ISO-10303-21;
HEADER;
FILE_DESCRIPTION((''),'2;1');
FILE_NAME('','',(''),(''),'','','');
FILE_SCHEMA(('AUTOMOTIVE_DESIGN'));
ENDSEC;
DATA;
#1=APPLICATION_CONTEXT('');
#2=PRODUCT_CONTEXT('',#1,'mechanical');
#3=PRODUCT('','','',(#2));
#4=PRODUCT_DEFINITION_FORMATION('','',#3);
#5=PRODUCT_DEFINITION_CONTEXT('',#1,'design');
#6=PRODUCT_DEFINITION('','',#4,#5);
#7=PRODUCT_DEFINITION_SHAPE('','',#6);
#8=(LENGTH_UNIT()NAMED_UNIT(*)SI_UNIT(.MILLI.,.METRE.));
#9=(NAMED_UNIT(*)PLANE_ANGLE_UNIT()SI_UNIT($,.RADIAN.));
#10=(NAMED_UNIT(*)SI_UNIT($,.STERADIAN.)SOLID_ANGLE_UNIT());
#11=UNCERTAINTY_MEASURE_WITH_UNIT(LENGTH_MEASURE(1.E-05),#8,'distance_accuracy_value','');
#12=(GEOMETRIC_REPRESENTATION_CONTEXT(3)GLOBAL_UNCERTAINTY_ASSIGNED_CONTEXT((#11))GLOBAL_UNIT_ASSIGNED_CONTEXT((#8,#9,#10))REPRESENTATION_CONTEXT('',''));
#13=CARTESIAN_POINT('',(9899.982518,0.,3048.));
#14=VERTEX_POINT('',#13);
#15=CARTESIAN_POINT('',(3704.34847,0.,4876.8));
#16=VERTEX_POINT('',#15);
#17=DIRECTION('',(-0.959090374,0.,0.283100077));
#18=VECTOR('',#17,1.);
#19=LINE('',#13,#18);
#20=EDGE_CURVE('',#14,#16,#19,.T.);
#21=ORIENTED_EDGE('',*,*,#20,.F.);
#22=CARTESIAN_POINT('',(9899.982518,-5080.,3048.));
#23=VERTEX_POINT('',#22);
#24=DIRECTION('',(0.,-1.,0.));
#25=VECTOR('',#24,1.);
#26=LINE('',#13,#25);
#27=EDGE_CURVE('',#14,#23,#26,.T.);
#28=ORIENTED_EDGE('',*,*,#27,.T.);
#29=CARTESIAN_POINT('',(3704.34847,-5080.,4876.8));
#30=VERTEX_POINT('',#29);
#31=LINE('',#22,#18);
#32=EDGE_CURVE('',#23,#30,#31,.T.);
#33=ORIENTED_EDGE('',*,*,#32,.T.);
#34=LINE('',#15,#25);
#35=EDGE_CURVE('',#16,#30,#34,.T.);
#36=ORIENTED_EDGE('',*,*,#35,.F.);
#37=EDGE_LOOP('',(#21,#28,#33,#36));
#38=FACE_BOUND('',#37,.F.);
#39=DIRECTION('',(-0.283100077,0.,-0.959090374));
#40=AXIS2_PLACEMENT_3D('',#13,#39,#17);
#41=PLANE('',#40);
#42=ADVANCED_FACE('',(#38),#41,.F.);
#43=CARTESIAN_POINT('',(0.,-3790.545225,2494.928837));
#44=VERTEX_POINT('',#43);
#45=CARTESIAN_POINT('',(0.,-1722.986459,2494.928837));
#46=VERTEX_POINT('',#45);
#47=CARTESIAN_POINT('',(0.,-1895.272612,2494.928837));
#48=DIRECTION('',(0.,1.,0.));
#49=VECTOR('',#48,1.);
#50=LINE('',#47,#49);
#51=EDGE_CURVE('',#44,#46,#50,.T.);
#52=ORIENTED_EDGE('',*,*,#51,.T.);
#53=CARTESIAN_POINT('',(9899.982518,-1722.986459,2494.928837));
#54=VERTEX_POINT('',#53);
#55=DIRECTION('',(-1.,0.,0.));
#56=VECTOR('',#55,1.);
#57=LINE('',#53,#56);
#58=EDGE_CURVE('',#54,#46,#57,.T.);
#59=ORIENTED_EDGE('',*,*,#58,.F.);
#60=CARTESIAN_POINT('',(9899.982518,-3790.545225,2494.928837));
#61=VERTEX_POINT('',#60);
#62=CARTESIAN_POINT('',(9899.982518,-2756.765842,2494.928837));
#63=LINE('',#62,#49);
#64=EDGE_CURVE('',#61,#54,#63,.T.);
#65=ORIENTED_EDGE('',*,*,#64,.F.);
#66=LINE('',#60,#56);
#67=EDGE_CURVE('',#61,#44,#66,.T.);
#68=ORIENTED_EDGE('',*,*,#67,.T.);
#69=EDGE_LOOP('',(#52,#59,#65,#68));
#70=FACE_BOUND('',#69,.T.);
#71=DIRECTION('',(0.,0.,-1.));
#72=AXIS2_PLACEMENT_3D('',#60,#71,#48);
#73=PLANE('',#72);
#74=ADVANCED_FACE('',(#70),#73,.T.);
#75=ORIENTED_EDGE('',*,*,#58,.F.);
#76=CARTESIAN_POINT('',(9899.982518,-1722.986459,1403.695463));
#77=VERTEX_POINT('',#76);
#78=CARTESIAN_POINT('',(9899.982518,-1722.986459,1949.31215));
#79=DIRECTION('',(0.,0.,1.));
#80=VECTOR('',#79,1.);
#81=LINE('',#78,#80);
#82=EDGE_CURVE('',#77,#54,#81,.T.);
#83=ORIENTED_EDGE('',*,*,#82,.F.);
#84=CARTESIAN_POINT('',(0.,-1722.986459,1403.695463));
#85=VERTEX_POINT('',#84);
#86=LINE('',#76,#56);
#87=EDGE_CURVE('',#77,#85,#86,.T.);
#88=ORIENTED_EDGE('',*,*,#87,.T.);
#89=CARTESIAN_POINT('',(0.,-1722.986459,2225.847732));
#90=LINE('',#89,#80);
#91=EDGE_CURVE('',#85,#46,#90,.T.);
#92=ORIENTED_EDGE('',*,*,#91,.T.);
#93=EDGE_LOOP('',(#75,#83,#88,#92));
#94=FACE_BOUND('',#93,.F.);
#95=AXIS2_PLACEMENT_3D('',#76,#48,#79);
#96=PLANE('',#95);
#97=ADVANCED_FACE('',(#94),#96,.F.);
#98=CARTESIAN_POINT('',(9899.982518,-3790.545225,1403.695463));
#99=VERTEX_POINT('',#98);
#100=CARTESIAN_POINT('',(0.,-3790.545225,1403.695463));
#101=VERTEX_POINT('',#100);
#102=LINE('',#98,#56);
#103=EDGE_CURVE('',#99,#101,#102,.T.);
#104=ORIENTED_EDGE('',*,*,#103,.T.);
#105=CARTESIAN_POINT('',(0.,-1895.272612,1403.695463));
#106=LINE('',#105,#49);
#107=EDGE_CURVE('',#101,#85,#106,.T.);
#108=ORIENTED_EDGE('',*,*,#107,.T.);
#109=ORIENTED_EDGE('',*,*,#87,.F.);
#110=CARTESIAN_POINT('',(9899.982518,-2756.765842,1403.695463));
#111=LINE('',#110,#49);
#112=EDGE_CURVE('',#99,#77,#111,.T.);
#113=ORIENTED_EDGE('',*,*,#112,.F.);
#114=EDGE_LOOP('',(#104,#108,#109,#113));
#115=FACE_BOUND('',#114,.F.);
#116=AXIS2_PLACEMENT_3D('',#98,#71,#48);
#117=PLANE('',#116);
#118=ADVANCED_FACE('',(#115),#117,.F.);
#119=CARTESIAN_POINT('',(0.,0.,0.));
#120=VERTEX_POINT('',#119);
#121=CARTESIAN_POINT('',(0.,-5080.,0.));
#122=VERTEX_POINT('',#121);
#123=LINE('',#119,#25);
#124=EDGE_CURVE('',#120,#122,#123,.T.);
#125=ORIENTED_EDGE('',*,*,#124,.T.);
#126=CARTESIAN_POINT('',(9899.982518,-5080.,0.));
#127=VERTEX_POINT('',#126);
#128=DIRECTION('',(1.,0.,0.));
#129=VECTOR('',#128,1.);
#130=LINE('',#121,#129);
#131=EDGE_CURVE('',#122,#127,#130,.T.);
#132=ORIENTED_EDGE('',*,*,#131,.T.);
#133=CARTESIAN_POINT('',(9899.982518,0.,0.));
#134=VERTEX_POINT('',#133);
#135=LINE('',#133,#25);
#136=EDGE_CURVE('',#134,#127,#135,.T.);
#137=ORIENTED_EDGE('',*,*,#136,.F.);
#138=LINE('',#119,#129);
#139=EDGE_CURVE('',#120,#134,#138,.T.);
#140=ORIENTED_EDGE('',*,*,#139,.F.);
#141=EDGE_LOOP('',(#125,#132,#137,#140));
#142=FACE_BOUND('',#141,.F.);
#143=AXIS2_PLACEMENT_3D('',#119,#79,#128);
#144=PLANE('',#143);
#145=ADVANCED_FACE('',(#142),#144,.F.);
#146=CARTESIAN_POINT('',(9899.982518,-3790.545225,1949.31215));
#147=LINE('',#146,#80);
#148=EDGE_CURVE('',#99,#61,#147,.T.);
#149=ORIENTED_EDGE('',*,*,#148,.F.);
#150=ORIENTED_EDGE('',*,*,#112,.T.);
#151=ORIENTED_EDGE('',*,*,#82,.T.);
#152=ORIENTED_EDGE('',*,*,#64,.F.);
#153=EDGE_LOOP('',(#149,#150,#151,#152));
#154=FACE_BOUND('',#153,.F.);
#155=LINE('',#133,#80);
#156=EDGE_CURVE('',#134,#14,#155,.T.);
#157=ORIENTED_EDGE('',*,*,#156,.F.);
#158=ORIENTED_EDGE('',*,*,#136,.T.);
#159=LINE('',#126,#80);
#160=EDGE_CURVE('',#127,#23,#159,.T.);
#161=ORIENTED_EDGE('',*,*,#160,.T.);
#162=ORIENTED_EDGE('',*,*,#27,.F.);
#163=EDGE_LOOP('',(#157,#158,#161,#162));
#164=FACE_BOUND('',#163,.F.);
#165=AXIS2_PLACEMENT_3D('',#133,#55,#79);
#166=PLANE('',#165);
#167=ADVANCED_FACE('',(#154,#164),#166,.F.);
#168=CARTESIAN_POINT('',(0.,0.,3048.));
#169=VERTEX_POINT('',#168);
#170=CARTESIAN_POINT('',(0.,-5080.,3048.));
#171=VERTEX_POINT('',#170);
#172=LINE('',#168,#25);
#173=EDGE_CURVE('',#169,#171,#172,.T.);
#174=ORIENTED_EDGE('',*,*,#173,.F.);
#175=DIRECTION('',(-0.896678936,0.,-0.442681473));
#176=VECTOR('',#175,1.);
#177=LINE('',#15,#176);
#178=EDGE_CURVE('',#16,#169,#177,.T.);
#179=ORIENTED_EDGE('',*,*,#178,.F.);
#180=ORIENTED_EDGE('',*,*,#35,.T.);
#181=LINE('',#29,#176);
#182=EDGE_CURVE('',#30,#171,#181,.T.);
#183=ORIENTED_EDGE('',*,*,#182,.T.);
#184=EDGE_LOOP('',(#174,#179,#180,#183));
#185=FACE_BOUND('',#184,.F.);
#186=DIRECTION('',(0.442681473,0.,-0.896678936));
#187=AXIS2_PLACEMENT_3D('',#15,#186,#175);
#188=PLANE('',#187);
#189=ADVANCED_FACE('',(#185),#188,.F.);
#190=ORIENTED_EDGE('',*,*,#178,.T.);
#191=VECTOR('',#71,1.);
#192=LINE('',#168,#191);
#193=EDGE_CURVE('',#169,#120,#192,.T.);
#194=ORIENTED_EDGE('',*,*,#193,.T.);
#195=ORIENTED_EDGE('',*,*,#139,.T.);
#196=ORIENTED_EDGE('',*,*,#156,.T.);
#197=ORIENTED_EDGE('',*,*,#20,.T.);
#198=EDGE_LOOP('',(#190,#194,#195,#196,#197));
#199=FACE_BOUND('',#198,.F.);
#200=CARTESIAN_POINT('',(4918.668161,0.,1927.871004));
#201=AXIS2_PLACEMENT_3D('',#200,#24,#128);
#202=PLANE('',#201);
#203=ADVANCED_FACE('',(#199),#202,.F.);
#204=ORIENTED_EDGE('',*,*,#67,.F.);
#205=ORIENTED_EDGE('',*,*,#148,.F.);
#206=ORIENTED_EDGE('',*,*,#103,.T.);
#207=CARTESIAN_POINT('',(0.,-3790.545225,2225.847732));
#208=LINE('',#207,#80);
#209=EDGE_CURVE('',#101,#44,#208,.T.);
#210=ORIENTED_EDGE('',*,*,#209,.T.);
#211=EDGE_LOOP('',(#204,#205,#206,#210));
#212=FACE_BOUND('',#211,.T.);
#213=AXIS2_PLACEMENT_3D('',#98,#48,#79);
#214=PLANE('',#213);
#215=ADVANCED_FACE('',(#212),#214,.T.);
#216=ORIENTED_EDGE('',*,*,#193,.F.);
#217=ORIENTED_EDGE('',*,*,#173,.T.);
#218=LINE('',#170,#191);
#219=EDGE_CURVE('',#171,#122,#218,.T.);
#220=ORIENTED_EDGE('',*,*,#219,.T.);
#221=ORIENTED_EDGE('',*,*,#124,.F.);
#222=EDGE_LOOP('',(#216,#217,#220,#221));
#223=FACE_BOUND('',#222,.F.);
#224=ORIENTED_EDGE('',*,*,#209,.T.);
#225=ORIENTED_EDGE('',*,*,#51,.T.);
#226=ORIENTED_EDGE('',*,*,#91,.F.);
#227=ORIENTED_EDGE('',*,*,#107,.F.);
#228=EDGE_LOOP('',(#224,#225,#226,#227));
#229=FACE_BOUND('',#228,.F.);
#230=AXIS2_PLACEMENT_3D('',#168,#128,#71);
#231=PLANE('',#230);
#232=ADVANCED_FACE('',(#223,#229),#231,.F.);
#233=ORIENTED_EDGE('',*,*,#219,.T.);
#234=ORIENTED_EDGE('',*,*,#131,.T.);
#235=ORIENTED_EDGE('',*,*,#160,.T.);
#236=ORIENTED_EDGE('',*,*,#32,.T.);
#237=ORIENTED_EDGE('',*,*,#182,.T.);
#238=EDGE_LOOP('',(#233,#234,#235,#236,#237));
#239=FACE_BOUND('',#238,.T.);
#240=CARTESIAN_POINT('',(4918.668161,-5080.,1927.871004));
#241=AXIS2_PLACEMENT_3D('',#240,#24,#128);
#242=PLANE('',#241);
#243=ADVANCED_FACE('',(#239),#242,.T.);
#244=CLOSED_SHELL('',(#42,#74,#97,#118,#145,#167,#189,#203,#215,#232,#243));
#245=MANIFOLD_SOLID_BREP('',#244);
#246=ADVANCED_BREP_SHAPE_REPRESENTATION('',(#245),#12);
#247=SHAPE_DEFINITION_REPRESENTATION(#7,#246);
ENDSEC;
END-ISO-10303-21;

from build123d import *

# Parameters (mm, degrees)
F1_DEPTH = 5080
F2_W     = 2067.558765
F2_H     = 1091.233373
F3_DEPTH = 9899.983518


with BuildPart() as f1:
    # F0 (on Front) → F1 (new body)
    with BuildSketch(Plane.XZ):
        Polygon((0, 3048), (0, 0), (3670.44008, 0), (9899.982518, 0), (9899.982518, 3048), (3704.34847, 4876.8), align=None)
    extrude(amount=F1_DEPTH)

    # F2 (on face) → F3 (cut, through all)
    with BuildSketch(Plane.YZ.offset(9899.982518)):
        with Locations((-2756.765842, 1949.31215)):
            Rectangle(F2_W, F2_H)
    extrude(amount=-F3_DEPTH, mode=Mode.SUBTRACT)


solid = f1.part
